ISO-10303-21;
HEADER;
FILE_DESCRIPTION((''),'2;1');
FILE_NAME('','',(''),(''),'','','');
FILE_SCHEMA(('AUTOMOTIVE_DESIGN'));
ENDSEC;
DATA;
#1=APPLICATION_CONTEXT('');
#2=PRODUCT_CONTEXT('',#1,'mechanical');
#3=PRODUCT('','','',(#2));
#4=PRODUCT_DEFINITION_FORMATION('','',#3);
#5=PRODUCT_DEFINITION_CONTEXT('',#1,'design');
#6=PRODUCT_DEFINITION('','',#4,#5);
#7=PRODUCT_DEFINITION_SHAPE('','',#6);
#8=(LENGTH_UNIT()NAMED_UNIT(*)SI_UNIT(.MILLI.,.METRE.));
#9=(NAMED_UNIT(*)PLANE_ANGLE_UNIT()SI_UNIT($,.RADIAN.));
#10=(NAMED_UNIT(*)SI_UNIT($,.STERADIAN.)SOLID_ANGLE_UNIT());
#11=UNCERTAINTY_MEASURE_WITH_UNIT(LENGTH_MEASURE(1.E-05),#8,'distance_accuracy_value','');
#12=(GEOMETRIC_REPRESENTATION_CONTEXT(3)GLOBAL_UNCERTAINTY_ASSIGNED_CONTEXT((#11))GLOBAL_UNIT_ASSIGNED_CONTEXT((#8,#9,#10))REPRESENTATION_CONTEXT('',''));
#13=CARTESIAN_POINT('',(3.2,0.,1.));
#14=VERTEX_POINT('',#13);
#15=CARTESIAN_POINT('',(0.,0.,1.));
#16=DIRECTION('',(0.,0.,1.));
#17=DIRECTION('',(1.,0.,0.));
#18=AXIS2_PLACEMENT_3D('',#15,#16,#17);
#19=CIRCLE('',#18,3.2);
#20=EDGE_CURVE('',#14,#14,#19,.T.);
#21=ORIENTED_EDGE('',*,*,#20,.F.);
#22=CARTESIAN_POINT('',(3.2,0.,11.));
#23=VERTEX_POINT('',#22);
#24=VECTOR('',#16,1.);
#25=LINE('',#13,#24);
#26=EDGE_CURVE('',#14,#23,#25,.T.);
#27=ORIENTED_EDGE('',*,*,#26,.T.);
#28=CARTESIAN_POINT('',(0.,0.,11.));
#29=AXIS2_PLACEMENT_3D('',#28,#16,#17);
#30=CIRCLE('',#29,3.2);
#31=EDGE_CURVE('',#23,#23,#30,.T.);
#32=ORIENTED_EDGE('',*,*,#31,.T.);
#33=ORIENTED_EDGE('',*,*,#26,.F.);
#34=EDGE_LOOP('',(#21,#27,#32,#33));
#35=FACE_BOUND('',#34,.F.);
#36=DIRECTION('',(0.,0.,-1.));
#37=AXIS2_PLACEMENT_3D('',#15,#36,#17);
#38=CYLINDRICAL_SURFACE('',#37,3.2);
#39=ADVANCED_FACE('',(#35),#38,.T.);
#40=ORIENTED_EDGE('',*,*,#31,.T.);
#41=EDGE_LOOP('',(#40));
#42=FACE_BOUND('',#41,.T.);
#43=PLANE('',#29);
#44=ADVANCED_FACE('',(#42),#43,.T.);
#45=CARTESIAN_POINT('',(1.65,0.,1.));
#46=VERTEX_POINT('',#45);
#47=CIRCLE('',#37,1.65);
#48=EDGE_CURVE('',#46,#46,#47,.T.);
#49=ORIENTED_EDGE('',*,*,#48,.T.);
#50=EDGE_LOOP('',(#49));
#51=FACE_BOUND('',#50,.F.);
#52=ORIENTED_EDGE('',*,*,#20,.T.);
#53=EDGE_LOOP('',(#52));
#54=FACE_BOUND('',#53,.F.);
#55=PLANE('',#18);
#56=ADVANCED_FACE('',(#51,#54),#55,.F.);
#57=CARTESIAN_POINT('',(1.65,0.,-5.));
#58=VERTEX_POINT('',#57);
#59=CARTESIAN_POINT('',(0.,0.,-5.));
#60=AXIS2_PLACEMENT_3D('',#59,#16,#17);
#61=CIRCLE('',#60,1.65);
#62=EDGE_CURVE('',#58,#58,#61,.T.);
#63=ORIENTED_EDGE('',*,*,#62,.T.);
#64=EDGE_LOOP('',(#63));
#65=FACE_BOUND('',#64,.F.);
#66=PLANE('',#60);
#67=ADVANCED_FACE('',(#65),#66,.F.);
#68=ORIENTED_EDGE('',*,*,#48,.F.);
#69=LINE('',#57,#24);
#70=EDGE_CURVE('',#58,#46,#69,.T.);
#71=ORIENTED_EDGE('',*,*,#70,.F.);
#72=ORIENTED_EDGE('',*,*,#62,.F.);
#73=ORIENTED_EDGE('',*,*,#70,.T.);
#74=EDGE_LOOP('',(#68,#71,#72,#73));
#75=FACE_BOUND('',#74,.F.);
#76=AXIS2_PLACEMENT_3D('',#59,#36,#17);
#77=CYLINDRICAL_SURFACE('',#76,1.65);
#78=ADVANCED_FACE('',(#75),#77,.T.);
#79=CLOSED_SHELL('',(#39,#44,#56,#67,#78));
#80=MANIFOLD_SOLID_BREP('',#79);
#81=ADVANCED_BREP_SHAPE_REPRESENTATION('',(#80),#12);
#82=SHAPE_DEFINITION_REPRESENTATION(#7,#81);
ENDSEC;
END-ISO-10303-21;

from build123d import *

# Parameters (mm, degrees)
CYLINDER_R        = 1.65
CYLINDER_DEPTH    = 10
CYLINDER001_R     = 3.2
CYLINDER001_DEPTH = 10


with BuildPart() as cylinder:
    # Cylinder → Cylinder (new body)
    with BuildSketch(Plane.XY.offset(-5)):
        Circle(CYLINDER_R)
    extrude(amount=CYLINDER_DEPTH)


with BuildPart() as m3:
    # Cylinder001 → Cylinder001 (new body)
    with BuildSketch(Plane.XY.offset(1)):
        Circle(CYLINDER001_R)
    extrude(amount=CYLINDER001_DEPTH)

    # Fusion004: union Cylinder
    add(cylinder.part)


solid = m3.part
